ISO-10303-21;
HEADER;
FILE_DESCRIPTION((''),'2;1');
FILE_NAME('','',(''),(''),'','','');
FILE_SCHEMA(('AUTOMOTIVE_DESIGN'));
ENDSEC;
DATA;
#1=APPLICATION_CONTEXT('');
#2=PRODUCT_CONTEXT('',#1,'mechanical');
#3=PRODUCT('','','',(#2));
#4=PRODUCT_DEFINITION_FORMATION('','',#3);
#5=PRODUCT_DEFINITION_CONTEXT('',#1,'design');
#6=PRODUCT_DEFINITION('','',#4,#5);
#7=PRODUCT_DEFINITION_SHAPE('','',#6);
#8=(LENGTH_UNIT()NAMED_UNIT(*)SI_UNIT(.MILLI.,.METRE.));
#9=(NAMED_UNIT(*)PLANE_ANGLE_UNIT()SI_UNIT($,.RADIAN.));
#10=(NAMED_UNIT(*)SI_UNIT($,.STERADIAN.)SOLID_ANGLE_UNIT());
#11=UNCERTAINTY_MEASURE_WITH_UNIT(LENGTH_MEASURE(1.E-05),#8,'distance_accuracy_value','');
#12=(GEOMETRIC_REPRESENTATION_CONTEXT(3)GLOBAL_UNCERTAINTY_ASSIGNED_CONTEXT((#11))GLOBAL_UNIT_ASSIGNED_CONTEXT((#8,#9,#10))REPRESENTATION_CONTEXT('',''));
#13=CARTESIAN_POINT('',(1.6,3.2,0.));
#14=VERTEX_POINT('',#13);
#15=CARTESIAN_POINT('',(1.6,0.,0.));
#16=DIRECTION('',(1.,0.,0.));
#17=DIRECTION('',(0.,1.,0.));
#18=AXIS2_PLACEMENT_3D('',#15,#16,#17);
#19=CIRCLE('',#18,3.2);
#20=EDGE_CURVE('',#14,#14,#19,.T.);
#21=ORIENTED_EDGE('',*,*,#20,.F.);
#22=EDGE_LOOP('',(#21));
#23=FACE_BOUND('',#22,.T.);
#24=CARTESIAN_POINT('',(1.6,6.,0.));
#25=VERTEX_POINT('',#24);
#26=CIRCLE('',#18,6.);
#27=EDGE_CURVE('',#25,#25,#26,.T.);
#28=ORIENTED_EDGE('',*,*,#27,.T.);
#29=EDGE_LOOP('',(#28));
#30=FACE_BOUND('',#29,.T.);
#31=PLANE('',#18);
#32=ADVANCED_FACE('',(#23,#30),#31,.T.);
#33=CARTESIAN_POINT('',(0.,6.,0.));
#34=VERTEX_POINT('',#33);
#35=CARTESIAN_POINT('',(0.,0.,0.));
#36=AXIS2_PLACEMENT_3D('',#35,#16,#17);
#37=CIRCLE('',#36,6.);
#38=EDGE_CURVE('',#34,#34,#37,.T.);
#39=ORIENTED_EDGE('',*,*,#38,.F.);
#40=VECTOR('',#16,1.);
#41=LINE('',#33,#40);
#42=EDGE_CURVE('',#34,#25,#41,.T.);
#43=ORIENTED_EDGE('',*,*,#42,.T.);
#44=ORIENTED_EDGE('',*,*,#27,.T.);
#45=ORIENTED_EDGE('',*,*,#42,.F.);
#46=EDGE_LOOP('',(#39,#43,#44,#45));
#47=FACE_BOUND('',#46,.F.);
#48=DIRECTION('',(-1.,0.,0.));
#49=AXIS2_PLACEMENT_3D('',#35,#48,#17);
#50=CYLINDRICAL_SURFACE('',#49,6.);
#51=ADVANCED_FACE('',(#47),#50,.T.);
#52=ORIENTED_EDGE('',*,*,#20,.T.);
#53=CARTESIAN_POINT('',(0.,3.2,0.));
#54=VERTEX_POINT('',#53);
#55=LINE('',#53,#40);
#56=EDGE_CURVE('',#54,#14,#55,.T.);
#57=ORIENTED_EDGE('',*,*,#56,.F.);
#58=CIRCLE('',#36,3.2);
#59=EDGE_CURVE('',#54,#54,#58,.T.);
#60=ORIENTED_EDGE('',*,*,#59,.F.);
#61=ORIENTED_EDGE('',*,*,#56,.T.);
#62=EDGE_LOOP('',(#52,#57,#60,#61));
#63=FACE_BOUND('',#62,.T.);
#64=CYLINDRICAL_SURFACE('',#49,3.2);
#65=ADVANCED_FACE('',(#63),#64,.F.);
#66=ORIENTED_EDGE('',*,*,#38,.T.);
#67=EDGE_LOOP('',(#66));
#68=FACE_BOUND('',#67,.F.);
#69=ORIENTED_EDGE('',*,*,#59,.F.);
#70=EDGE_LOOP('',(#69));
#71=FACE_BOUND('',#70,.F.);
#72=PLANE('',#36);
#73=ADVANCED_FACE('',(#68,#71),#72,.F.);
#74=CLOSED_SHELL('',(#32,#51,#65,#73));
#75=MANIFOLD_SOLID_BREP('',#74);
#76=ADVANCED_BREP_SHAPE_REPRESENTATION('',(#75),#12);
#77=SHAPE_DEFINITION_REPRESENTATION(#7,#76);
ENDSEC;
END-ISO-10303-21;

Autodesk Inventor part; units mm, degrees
ref_plane "YZ Plane" through (0, 0, 0) normal (1, 0, 0) x (0, 1, 0)
ref_plane "XZ Plane" through (0, 0, 0) normal (0, 1, 0) x (-1, 0, 0)
sketch "Sketch" plane through (0, 0, 0) normal (1, 0, 0) x (0, 1, 0)
  circle A0 centre (0, 0) radius 6
  circle A1 centre (0, 0) radius 3.2
  dimension "d0" = 6.4
  dimension "d1" = 12
extrude "Body" add sketch "Sketch" along normal blind 1.6
ref_plane "Work Plane1" through (0, 0, 0) normal (0, 0, 1) x (1, 0, 0)
equation "\"d0\" = SD1"
equation "\"d1\" = SD2"
equation "\"d2\" = SD"
equation "\"SD1\" = 6.4"
equation "\"SD2\" = 12"
equation "\"SD\" = 1.6"
equation "\"NND\" = 6"
properties part number "ISO 7089 - 6" material "Stainless Steel"
